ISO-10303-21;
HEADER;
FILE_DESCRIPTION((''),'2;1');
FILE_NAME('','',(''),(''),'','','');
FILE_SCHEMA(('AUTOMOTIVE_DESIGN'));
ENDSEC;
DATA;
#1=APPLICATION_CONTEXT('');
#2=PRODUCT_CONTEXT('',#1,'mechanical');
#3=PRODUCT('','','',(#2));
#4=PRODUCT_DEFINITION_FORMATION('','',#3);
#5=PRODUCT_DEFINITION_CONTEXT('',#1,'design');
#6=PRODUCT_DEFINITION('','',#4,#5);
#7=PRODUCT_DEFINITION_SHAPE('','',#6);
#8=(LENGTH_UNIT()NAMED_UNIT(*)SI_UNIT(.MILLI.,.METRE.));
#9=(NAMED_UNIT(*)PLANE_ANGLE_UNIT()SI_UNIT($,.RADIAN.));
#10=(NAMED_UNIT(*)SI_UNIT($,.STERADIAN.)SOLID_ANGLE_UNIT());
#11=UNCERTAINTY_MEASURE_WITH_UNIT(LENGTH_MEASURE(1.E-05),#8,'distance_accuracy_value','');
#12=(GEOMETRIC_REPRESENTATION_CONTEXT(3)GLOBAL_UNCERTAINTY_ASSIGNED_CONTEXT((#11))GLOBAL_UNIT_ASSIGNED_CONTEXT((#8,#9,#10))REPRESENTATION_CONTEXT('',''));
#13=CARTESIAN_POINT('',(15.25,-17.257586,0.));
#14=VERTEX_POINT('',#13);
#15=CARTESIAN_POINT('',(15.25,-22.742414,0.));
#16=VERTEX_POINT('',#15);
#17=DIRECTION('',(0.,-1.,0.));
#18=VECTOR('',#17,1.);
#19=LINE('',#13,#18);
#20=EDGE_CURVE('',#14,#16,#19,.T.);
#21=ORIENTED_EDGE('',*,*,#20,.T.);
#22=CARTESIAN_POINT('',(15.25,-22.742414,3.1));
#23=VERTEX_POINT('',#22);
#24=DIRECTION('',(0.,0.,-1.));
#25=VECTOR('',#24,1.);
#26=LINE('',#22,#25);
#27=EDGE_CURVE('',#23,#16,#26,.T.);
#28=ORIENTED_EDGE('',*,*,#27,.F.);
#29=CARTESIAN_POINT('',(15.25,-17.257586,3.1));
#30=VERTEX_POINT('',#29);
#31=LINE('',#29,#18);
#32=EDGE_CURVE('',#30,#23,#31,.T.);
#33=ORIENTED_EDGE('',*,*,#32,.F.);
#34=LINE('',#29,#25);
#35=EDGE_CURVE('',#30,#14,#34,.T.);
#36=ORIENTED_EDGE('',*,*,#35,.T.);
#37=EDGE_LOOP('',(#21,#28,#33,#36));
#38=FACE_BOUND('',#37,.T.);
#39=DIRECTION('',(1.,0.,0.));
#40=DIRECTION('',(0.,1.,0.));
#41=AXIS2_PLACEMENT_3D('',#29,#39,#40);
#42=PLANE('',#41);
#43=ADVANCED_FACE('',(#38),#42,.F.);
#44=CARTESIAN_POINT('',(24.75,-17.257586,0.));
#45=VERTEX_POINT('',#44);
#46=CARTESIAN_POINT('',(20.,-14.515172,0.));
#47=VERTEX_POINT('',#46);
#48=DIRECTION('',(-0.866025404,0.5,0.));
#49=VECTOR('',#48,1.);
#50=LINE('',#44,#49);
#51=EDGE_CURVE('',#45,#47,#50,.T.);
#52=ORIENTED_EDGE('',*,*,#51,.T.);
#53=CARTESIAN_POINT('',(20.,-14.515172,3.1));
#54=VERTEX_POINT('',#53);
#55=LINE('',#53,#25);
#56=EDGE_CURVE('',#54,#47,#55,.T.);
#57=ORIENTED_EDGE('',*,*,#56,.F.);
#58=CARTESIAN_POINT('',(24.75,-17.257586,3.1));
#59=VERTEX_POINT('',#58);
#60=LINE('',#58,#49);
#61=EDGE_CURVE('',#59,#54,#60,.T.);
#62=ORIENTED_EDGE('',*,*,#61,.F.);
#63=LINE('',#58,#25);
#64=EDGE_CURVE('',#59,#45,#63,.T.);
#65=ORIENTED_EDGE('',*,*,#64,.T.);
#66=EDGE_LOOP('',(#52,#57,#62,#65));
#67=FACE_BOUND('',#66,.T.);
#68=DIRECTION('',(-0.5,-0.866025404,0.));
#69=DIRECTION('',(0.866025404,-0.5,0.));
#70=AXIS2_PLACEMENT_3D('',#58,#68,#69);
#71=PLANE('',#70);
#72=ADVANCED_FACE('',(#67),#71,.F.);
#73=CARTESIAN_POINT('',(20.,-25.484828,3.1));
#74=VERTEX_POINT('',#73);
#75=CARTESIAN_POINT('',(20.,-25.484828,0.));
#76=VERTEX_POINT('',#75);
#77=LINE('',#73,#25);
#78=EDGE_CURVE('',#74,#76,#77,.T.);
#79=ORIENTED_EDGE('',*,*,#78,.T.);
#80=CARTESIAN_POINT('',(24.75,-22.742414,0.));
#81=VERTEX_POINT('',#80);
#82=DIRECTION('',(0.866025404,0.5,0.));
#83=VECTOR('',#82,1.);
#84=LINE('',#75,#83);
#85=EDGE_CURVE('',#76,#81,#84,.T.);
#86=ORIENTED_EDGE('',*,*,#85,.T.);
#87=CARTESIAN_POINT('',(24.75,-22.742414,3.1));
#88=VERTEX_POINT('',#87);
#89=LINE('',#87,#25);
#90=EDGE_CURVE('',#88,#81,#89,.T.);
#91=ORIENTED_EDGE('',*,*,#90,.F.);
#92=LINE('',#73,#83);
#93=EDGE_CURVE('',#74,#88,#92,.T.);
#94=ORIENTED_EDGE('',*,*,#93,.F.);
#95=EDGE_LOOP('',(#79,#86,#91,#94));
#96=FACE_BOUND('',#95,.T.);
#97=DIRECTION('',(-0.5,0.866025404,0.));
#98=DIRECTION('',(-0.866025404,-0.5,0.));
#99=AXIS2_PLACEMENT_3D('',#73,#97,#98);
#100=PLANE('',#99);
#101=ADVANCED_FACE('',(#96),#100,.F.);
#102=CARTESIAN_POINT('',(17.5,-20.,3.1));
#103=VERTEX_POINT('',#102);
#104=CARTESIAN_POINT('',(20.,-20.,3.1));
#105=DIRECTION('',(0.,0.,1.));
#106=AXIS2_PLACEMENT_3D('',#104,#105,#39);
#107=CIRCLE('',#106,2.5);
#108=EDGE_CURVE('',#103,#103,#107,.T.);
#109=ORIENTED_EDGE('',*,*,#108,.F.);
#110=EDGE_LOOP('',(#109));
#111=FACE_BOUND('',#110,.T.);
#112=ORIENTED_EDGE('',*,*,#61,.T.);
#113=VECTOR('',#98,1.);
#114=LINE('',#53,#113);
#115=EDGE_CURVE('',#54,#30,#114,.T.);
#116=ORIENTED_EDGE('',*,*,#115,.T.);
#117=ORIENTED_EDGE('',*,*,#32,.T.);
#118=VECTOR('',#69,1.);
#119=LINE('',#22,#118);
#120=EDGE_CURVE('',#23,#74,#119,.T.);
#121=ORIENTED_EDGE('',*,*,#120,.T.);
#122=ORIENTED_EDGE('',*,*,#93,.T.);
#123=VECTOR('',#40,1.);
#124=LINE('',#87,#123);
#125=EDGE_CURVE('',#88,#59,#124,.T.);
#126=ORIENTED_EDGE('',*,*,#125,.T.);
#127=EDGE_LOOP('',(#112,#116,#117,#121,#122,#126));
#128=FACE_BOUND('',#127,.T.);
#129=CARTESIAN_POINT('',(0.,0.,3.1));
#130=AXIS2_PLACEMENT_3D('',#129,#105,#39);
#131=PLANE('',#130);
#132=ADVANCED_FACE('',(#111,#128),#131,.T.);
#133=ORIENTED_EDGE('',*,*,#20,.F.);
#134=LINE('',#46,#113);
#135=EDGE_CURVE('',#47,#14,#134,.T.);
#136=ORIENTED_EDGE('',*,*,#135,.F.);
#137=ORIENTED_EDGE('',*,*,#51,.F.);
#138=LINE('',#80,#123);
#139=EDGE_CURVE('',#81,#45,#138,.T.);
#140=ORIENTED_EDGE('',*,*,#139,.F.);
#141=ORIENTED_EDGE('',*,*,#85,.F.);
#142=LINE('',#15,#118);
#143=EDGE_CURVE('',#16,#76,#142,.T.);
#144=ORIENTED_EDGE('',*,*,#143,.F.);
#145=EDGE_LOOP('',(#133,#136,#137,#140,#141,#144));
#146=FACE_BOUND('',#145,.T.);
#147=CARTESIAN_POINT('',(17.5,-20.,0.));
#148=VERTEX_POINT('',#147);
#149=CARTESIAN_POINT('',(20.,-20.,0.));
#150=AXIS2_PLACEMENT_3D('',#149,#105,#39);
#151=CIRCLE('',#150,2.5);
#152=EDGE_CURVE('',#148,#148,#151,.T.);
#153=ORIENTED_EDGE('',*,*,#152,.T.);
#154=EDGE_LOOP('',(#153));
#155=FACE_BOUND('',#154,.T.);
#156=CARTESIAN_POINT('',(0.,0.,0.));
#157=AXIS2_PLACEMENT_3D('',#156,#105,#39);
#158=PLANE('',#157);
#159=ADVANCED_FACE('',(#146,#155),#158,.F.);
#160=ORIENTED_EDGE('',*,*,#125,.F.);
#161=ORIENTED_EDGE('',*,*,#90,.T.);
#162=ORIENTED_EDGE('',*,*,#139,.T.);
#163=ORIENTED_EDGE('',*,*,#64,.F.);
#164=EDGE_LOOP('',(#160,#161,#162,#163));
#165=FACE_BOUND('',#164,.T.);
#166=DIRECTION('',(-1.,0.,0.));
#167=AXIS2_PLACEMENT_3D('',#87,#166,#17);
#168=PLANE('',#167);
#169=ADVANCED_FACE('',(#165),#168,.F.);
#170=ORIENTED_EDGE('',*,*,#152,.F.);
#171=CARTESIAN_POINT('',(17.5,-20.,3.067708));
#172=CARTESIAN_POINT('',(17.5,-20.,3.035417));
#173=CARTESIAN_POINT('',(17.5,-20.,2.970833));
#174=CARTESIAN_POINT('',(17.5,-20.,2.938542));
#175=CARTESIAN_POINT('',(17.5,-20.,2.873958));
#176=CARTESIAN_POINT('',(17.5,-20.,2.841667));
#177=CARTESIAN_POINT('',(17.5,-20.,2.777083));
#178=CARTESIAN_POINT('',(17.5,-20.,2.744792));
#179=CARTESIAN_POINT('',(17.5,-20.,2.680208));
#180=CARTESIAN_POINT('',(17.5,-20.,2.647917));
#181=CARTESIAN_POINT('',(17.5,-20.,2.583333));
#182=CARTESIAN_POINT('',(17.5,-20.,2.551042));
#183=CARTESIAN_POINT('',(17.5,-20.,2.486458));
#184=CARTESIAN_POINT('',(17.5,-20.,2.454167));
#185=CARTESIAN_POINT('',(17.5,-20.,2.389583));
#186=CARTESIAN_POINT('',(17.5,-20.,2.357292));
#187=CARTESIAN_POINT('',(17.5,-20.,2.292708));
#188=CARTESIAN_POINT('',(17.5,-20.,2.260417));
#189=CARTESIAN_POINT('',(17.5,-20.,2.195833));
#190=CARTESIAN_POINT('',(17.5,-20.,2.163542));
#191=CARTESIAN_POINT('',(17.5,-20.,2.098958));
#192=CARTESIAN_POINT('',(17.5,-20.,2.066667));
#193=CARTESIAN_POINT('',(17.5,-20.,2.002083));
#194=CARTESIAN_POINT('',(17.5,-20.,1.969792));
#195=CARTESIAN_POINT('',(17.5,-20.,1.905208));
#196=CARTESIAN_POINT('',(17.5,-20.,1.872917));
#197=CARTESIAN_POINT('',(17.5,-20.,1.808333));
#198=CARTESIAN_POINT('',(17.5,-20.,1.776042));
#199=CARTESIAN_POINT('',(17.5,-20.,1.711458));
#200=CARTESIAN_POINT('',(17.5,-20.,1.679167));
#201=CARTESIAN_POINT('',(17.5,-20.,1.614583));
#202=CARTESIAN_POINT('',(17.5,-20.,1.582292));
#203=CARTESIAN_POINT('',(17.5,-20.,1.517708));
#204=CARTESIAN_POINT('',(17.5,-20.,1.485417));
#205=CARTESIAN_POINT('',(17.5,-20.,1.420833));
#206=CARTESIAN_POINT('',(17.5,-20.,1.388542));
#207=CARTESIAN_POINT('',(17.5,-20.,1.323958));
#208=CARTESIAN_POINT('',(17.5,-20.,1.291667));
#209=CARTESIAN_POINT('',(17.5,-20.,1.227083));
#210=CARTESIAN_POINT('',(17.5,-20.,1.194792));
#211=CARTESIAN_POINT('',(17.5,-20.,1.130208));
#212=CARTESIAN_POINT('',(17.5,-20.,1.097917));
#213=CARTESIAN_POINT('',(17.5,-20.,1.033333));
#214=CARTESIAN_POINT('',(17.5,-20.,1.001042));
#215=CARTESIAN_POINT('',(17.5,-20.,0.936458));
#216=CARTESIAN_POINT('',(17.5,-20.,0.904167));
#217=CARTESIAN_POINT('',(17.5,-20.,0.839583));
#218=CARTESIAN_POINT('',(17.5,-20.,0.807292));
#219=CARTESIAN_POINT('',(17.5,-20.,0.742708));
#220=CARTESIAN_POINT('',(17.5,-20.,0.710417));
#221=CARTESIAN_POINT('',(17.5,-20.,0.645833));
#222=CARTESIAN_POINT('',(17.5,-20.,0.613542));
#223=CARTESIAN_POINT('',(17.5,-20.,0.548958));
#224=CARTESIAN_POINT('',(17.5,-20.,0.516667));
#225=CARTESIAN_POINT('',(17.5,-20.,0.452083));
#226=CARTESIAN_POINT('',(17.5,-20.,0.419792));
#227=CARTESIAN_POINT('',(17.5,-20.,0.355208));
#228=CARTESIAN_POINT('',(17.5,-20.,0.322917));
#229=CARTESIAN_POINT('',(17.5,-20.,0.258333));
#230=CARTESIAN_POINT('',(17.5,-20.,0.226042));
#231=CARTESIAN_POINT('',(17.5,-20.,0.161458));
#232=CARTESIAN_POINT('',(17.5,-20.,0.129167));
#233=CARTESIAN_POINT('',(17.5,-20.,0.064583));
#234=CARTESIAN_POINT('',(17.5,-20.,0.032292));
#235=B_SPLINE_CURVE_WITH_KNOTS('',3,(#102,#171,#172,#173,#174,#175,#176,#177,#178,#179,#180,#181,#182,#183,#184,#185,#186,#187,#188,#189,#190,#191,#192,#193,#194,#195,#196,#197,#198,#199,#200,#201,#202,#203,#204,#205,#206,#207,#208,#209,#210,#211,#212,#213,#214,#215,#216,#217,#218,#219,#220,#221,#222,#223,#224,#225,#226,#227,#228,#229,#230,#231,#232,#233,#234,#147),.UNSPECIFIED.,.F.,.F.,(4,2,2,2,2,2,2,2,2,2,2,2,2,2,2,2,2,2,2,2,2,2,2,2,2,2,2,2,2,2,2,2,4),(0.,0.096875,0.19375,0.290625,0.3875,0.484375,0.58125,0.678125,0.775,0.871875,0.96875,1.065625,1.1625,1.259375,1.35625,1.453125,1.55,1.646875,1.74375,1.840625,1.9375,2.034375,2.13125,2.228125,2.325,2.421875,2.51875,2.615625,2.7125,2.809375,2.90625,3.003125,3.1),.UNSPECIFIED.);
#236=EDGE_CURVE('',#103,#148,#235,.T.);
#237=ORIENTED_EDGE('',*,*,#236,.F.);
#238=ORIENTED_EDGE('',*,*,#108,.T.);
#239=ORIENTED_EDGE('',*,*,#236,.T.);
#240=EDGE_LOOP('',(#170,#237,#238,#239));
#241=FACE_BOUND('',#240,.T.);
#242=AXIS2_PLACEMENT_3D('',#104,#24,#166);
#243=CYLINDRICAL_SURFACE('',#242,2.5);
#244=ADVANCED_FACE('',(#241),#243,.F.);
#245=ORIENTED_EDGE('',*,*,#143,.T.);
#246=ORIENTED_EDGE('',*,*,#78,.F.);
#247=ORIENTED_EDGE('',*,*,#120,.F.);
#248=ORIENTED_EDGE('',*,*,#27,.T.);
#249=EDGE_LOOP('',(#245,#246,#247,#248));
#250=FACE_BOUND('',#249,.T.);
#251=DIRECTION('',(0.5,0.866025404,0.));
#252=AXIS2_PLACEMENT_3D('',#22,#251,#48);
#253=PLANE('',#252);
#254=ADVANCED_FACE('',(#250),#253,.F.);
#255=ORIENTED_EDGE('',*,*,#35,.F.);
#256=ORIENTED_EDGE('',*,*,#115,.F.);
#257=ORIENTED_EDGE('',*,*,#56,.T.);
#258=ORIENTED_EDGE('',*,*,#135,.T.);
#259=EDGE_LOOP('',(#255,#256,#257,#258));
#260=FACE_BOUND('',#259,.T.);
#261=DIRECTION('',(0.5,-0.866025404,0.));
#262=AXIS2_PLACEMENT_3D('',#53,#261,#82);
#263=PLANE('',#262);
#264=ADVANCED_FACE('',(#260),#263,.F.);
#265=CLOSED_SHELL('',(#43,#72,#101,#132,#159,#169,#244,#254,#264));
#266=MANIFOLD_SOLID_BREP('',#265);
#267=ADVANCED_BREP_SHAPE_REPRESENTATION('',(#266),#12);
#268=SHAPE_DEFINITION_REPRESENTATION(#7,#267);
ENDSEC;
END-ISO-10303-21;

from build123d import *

# Parameters (mm, degrees)
SKETCH1_R           = 2.5
BOSS_EXTRUDE1_DEPTH = 3.1


with BuildPart() as part:
    # Sketch1 → Boss-Extrude1 (new body)
    with BuildSketch(Plane.XY):
        Polygon((20, -25.484827557), (24.75, -22.742413779), (24.75, -17.257586221), (20, -14.515172443), (15.25, -17.257586221), (15.25, -22.742413779), align=None)
        with Locations(Location((20, -20, 0), (0, 0, 180))):
            Circle(SKETCH1_R, mode=Mode.SUBTRACT)
    extrude(amount=BOSS_EXTRUDE1_DEPTH)


solid = part.part
